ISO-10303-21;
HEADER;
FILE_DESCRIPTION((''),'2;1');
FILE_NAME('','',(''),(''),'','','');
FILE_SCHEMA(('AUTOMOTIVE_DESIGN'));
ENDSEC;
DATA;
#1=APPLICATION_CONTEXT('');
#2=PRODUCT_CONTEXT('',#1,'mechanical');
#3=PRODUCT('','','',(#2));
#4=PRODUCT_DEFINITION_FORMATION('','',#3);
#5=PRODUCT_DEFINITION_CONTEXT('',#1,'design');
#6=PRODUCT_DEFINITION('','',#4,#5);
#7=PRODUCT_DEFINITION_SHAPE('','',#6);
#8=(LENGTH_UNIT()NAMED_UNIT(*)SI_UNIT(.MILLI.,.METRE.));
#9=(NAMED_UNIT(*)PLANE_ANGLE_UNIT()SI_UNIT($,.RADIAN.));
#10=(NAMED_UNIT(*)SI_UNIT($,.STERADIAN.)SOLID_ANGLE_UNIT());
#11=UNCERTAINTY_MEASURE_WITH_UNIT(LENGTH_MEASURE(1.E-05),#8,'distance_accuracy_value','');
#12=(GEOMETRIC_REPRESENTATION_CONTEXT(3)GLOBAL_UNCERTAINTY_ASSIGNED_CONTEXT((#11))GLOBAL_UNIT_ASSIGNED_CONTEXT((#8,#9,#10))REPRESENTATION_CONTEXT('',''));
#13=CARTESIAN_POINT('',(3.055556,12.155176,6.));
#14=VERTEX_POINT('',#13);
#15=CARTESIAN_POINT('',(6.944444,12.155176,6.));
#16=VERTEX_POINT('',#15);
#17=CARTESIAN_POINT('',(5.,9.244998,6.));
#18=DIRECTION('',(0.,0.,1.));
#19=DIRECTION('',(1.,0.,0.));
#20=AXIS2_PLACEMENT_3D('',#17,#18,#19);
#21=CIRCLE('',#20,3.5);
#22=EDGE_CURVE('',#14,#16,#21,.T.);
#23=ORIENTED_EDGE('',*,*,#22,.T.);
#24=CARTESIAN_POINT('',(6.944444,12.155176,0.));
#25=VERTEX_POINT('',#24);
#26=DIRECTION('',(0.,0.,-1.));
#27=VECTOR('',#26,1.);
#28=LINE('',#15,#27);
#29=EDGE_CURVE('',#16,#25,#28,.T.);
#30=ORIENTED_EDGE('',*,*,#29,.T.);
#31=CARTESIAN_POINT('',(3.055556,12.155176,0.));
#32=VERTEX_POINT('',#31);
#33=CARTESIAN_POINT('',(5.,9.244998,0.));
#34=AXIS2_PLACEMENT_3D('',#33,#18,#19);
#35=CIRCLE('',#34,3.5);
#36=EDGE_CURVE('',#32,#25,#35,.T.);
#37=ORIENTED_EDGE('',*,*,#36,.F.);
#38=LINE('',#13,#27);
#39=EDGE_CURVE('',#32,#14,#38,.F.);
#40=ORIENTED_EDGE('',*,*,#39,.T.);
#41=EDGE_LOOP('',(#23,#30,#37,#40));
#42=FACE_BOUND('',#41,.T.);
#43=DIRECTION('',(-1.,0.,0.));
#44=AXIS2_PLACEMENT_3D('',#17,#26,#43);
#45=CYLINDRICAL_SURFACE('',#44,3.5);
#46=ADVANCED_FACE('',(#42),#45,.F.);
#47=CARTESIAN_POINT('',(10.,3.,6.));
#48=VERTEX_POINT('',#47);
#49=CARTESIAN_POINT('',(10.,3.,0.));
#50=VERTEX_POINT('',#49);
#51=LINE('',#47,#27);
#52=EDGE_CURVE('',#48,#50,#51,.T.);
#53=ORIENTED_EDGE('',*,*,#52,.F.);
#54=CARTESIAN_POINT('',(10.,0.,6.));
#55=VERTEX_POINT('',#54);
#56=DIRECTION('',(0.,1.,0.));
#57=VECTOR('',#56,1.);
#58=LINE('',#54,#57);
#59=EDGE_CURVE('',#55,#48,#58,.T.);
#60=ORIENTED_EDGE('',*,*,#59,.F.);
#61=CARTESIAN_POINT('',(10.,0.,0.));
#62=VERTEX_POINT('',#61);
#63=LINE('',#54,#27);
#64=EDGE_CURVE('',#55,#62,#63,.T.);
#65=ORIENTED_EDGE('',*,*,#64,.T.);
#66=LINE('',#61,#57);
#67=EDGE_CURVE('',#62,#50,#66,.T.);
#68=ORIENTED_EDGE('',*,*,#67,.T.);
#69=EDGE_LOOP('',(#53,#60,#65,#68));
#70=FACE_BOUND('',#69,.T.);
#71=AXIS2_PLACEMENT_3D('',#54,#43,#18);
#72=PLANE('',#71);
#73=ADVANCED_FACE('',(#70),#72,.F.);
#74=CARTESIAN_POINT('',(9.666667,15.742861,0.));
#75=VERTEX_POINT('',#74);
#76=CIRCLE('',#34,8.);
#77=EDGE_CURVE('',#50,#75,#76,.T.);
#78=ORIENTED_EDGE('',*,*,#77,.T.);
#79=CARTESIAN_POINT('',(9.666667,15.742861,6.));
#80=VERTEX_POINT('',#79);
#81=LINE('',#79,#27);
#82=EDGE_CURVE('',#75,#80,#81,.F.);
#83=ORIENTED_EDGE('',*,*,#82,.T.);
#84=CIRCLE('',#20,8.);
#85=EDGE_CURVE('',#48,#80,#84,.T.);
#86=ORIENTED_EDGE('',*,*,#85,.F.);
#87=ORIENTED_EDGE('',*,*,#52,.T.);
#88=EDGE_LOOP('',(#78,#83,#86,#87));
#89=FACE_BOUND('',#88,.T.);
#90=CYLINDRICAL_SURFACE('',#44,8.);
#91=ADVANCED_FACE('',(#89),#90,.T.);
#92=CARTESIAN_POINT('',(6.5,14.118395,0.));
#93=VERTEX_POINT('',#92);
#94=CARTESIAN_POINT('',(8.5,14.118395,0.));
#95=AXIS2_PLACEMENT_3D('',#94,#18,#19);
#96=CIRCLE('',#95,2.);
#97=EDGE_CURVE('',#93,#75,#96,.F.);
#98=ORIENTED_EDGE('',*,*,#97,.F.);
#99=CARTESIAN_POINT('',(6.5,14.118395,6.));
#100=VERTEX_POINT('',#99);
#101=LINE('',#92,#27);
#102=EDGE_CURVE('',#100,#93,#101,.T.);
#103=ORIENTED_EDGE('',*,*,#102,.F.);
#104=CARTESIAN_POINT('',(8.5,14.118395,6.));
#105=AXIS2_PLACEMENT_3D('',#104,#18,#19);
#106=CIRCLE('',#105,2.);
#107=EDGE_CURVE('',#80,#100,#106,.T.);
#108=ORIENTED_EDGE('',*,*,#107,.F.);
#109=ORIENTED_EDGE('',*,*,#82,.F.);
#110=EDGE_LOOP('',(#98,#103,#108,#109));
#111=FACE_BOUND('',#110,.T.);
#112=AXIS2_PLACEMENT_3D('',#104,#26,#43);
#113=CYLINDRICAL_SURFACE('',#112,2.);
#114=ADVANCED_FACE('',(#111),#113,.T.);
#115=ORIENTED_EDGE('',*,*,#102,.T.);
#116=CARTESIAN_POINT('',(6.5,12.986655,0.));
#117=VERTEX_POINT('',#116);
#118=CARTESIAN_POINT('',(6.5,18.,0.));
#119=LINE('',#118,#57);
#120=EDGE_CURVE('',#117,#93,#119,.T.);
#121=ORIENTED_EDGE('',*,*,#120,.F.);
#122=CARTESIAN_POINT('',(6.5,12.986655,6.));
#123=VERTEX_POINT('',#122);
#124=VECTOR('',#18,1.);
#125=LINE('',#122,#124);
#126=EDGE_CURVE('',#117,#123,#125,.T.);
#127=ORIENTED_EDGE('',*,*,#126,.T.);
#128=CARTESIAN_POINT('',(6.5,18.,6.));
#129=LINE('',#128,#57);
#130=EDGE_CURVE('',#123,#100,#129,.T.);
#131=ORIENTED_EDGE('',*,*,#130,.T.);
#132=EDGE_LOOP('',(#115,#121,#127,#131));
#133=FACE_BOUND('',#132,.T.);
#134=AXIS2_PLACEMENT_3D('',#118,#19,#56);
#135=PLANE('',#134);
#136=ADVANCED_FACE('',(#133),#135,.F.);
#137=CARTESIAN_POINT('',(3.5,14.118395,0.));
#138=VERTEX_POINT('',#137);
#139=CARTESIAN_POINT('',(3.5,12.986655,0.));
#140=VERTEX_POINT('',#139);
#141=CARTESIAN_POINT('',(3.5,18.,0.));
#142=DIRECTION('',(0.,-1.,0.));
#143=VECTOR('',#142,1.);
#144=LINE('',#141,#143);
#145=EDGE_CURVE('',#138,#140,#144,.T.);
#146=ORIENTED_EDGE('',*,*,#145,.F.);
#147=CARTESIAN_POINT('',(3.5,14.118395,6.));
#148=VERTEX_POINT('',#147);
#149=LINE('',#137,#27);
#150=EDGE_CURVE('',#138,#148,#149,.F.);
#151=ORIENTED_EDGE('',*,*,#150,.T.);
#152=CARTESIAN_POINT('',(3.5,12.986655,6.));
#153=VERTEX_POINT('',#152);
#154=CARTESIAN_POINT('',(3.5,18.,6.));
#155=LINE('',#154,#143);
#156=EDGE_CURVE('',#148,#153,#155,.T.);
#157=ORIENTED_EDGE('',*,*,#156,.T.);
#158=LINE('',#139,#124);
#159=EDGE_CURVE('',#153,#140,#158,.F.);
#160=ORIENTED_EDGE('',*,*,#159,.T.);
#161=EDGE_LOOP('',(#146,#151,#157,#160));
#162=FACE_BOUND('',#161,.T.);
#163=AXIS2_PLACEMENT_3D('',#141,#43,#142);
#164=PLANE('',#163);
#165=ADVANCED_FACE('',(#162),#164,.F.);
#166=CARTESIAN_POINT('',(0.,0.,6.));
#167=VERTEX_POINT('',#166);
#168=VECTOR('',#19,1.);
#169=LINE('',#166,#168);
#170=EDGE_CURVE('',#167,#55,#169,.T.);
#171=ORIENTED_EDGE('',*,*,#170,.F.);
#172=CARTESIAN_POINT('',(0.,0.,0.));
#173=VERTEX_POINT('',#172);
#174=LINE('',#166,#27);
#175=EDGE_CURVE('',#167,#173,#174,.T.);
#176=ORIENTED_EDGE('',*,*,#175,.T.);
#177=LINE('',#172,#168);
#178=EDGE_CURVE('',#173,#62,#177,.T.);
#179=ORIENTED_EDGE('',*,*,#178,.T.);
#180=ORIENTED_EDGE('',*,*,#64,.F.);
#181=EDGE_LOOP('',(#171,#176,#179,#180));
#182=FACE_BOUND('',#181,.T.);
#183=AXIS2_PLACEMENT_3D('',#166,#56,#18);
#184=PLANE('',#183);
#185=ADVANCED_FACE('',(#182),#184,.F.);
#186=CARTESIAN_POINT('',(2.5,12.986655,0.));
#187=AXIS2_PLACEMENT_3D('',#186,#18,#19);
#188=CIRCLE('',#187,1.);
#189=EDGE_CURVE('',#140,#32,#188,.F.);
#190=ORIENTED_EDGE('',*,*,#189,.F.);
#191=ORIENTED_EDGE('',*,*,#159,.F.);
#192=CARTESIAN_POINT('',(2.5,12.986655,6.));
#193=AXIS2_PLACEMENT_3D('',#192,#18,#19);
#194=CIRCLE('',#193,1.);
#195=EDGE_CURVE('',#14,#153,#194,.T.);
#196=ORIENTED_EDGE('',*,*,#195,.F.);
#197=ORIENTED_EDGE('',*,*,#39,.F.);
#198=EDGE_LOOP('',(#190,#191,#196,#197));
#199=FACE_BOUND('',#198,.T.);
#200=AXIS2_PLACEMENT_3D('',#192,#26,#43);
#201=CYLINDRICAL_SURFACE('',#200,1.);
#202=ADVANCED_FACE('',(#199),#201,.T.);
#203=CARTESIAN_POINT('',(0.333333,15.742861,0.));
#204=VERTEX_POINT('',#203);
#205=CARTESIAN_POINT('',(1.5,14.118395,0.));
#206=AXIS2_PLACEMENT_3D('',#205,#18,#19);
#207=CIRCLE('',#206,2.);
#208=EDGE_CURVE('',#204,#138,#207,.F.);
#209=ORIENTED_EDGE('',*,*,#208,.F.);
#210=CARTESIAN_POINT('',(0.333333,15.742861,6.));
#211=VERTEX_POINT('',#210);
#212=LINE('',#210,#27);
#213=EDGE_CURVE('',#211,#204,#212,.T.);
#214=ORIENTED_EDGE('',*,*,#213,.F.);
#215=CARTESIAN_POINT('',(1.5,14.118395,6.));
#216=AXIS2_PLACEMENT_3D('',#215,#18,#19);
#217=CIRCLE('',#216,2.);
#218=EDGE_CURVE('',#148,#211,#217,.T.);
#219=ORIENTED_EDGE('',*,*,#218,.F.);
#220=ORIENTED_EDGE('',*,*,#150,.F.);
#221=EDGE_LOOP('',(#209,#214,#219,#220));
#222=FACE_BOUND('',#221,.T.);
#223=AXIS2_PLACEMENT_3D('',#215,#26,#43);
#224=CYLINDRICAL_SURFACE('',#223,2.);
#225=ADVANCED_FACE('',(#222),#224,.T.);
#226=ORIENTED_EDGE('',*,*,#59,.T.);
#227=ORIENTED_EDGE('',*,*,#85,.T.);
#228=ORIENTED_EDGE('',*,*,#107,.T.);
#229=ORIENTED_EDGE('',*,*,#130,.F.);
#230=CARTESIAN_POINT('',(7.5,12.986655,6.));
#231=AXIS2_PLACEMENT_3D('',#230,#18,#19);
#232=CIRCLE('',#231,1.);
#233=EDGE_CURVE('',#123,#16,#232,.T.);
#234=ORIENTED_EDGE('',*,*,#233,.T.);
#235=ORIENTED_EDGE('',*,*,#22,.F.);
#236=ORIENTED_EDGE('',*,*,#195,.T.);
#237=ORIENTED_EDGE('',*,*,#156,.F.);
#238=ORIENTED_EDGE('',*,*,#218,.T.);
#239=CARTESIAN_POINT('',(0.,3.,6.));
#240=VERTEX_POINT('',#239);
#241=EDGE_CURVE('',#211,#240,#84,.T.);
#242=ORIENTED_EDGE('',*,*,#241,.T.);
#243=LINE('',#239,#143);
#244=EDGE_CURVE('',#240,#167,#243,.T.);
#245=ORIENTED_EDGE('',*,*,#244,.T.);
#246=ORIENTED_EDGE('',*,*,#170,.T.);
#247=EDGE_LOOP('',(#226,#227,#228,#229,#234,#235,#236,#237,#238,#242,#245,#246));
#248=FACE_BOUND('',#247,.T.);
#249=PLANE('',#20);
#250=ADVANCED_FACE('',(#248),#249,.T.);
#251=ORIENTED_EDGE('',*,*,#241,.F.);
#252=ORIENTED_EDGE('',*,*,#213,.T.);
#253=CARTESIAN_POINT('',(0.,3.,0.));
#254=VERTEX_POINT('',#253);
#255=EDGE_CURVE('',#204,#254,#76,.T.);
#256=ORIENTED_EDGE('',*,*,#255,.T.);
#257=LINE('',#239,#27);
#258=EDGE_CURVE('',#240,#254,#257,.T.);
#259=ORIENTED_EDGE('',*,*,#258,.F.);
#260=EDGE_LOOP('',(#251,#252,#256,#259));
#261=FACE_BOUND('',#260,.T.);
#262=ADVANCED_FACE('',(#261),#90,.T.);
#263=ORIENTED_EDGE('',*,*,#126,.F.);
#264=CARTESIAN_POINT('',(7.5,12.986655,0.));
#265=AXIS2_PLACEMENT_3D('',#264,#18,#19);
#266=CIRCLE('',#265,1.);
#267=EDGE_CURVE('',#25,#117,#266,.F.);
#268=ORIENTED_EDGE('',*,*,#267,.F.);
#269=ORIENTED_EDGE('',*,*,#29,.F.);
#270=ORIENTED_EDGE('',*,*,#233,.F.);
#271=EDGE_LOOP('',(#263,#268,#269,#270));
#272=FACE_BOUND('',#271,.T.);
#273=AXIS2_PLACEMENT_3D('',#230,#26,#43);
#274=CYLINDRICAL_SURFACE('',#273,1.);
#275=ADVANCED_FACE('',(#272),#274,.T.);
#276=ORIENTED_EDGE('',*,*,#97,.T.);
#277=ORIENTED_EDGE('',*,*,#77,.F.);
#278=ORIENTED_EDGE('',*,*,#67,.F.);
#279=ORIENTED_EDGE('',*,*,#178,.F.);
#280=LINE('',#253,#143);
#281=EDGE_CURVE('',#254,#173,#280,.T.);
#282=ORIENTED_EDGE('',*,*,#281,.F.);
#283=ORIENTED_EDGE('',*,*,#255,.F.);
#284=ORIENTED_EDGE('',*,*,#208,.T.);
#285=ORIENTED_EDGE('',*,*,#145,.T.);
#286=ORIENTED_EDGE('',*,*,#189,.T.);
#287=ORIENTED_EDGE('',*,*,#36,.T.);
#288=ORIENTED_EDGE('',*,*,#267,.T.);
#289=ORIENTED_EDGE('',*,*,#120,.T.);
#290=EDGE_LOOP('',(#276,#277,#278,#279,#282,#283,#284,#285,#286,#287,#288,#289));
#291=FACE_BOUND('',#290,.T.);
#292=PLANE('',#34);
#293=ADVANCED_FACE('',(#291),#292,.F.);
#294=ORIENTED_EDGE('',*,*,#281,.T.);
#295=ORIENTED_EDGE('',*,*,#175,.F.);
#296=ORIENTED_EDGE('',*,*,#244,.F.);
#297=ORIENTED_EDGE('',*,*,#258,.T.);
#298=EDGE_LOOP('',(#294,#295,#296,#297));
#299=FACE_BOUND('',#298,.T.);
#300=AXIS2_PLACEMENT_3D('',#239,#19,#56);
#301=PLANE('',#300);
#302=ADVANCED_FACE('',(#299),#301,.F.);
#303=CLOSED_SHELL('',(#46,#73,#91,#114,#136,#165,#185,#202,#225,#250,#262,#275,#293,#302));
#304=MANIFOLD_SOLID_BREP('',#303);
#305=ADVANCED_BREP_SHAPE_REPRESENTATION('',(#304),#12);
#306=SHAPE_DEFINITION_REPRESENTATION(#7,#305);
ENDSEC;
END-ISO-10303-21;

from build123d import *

# Parameters (mm, degrees)
SKETCH1_R           = 3.5
BOSS_EXTRUDE1_DEPTH = 6
SKETCH2_W           = 3
SKETCH2_H           = 6
CUT_EXTRUDE1_DEPTH  = 23.414057106
FILLET1_R           = 2
FILLET2_R           = 1


with BuildPart() as part:
    # Sketch1 → Boss-Extrude1 (new body)
    with BuildSketch(Plane.XY):
        with BuildLine():
            Line((0, 3), (0, 0))
            Line((0, 0), (10, 0))
            Line((10, 0), (10, 3))
            ThreePointArc((10, 3), (5, 17.244997998), (0, 3))
        make_face()
        with Locations((5, 9.244997998)):
            Circle(SKETCH1_R, mode=Mode.SUBTRACT)
    extrude(amount=BOSS_EXTRUDE1_DEPTH)

    # Sketch2 → Cut-Extrude1 (cut, through all)
    with BuildSketch(Plane.XY.offset(6)):
        with Locations((5, 15)):
            Rectangle(SKETCH2_W, SKETCH2_H)
    extrude(amount=-CUT_EXTRUDE1_DEPTH, mode=Mode.SUBTRACT)

    # Fillet1
    fillet1_edges = [part.edges().sort_by_distance(p)[0] for p in [
        (3.5, 17.103114821, 3),
        (6.5, 17.103114821, 3),
    ]]
    fillet(fillet1_edges, radius=FILLET1_R)

    # Fillet2
    fillet2_edges = [part.edges().sort_by_distance(p)[0] for p in [
        (6.5, 12.407275659, 3),
        (3.5, 12.407275659, 3),
    ]]
    fillet(fillet2_edges, radius=FILLET2_R)


solid = part.part
